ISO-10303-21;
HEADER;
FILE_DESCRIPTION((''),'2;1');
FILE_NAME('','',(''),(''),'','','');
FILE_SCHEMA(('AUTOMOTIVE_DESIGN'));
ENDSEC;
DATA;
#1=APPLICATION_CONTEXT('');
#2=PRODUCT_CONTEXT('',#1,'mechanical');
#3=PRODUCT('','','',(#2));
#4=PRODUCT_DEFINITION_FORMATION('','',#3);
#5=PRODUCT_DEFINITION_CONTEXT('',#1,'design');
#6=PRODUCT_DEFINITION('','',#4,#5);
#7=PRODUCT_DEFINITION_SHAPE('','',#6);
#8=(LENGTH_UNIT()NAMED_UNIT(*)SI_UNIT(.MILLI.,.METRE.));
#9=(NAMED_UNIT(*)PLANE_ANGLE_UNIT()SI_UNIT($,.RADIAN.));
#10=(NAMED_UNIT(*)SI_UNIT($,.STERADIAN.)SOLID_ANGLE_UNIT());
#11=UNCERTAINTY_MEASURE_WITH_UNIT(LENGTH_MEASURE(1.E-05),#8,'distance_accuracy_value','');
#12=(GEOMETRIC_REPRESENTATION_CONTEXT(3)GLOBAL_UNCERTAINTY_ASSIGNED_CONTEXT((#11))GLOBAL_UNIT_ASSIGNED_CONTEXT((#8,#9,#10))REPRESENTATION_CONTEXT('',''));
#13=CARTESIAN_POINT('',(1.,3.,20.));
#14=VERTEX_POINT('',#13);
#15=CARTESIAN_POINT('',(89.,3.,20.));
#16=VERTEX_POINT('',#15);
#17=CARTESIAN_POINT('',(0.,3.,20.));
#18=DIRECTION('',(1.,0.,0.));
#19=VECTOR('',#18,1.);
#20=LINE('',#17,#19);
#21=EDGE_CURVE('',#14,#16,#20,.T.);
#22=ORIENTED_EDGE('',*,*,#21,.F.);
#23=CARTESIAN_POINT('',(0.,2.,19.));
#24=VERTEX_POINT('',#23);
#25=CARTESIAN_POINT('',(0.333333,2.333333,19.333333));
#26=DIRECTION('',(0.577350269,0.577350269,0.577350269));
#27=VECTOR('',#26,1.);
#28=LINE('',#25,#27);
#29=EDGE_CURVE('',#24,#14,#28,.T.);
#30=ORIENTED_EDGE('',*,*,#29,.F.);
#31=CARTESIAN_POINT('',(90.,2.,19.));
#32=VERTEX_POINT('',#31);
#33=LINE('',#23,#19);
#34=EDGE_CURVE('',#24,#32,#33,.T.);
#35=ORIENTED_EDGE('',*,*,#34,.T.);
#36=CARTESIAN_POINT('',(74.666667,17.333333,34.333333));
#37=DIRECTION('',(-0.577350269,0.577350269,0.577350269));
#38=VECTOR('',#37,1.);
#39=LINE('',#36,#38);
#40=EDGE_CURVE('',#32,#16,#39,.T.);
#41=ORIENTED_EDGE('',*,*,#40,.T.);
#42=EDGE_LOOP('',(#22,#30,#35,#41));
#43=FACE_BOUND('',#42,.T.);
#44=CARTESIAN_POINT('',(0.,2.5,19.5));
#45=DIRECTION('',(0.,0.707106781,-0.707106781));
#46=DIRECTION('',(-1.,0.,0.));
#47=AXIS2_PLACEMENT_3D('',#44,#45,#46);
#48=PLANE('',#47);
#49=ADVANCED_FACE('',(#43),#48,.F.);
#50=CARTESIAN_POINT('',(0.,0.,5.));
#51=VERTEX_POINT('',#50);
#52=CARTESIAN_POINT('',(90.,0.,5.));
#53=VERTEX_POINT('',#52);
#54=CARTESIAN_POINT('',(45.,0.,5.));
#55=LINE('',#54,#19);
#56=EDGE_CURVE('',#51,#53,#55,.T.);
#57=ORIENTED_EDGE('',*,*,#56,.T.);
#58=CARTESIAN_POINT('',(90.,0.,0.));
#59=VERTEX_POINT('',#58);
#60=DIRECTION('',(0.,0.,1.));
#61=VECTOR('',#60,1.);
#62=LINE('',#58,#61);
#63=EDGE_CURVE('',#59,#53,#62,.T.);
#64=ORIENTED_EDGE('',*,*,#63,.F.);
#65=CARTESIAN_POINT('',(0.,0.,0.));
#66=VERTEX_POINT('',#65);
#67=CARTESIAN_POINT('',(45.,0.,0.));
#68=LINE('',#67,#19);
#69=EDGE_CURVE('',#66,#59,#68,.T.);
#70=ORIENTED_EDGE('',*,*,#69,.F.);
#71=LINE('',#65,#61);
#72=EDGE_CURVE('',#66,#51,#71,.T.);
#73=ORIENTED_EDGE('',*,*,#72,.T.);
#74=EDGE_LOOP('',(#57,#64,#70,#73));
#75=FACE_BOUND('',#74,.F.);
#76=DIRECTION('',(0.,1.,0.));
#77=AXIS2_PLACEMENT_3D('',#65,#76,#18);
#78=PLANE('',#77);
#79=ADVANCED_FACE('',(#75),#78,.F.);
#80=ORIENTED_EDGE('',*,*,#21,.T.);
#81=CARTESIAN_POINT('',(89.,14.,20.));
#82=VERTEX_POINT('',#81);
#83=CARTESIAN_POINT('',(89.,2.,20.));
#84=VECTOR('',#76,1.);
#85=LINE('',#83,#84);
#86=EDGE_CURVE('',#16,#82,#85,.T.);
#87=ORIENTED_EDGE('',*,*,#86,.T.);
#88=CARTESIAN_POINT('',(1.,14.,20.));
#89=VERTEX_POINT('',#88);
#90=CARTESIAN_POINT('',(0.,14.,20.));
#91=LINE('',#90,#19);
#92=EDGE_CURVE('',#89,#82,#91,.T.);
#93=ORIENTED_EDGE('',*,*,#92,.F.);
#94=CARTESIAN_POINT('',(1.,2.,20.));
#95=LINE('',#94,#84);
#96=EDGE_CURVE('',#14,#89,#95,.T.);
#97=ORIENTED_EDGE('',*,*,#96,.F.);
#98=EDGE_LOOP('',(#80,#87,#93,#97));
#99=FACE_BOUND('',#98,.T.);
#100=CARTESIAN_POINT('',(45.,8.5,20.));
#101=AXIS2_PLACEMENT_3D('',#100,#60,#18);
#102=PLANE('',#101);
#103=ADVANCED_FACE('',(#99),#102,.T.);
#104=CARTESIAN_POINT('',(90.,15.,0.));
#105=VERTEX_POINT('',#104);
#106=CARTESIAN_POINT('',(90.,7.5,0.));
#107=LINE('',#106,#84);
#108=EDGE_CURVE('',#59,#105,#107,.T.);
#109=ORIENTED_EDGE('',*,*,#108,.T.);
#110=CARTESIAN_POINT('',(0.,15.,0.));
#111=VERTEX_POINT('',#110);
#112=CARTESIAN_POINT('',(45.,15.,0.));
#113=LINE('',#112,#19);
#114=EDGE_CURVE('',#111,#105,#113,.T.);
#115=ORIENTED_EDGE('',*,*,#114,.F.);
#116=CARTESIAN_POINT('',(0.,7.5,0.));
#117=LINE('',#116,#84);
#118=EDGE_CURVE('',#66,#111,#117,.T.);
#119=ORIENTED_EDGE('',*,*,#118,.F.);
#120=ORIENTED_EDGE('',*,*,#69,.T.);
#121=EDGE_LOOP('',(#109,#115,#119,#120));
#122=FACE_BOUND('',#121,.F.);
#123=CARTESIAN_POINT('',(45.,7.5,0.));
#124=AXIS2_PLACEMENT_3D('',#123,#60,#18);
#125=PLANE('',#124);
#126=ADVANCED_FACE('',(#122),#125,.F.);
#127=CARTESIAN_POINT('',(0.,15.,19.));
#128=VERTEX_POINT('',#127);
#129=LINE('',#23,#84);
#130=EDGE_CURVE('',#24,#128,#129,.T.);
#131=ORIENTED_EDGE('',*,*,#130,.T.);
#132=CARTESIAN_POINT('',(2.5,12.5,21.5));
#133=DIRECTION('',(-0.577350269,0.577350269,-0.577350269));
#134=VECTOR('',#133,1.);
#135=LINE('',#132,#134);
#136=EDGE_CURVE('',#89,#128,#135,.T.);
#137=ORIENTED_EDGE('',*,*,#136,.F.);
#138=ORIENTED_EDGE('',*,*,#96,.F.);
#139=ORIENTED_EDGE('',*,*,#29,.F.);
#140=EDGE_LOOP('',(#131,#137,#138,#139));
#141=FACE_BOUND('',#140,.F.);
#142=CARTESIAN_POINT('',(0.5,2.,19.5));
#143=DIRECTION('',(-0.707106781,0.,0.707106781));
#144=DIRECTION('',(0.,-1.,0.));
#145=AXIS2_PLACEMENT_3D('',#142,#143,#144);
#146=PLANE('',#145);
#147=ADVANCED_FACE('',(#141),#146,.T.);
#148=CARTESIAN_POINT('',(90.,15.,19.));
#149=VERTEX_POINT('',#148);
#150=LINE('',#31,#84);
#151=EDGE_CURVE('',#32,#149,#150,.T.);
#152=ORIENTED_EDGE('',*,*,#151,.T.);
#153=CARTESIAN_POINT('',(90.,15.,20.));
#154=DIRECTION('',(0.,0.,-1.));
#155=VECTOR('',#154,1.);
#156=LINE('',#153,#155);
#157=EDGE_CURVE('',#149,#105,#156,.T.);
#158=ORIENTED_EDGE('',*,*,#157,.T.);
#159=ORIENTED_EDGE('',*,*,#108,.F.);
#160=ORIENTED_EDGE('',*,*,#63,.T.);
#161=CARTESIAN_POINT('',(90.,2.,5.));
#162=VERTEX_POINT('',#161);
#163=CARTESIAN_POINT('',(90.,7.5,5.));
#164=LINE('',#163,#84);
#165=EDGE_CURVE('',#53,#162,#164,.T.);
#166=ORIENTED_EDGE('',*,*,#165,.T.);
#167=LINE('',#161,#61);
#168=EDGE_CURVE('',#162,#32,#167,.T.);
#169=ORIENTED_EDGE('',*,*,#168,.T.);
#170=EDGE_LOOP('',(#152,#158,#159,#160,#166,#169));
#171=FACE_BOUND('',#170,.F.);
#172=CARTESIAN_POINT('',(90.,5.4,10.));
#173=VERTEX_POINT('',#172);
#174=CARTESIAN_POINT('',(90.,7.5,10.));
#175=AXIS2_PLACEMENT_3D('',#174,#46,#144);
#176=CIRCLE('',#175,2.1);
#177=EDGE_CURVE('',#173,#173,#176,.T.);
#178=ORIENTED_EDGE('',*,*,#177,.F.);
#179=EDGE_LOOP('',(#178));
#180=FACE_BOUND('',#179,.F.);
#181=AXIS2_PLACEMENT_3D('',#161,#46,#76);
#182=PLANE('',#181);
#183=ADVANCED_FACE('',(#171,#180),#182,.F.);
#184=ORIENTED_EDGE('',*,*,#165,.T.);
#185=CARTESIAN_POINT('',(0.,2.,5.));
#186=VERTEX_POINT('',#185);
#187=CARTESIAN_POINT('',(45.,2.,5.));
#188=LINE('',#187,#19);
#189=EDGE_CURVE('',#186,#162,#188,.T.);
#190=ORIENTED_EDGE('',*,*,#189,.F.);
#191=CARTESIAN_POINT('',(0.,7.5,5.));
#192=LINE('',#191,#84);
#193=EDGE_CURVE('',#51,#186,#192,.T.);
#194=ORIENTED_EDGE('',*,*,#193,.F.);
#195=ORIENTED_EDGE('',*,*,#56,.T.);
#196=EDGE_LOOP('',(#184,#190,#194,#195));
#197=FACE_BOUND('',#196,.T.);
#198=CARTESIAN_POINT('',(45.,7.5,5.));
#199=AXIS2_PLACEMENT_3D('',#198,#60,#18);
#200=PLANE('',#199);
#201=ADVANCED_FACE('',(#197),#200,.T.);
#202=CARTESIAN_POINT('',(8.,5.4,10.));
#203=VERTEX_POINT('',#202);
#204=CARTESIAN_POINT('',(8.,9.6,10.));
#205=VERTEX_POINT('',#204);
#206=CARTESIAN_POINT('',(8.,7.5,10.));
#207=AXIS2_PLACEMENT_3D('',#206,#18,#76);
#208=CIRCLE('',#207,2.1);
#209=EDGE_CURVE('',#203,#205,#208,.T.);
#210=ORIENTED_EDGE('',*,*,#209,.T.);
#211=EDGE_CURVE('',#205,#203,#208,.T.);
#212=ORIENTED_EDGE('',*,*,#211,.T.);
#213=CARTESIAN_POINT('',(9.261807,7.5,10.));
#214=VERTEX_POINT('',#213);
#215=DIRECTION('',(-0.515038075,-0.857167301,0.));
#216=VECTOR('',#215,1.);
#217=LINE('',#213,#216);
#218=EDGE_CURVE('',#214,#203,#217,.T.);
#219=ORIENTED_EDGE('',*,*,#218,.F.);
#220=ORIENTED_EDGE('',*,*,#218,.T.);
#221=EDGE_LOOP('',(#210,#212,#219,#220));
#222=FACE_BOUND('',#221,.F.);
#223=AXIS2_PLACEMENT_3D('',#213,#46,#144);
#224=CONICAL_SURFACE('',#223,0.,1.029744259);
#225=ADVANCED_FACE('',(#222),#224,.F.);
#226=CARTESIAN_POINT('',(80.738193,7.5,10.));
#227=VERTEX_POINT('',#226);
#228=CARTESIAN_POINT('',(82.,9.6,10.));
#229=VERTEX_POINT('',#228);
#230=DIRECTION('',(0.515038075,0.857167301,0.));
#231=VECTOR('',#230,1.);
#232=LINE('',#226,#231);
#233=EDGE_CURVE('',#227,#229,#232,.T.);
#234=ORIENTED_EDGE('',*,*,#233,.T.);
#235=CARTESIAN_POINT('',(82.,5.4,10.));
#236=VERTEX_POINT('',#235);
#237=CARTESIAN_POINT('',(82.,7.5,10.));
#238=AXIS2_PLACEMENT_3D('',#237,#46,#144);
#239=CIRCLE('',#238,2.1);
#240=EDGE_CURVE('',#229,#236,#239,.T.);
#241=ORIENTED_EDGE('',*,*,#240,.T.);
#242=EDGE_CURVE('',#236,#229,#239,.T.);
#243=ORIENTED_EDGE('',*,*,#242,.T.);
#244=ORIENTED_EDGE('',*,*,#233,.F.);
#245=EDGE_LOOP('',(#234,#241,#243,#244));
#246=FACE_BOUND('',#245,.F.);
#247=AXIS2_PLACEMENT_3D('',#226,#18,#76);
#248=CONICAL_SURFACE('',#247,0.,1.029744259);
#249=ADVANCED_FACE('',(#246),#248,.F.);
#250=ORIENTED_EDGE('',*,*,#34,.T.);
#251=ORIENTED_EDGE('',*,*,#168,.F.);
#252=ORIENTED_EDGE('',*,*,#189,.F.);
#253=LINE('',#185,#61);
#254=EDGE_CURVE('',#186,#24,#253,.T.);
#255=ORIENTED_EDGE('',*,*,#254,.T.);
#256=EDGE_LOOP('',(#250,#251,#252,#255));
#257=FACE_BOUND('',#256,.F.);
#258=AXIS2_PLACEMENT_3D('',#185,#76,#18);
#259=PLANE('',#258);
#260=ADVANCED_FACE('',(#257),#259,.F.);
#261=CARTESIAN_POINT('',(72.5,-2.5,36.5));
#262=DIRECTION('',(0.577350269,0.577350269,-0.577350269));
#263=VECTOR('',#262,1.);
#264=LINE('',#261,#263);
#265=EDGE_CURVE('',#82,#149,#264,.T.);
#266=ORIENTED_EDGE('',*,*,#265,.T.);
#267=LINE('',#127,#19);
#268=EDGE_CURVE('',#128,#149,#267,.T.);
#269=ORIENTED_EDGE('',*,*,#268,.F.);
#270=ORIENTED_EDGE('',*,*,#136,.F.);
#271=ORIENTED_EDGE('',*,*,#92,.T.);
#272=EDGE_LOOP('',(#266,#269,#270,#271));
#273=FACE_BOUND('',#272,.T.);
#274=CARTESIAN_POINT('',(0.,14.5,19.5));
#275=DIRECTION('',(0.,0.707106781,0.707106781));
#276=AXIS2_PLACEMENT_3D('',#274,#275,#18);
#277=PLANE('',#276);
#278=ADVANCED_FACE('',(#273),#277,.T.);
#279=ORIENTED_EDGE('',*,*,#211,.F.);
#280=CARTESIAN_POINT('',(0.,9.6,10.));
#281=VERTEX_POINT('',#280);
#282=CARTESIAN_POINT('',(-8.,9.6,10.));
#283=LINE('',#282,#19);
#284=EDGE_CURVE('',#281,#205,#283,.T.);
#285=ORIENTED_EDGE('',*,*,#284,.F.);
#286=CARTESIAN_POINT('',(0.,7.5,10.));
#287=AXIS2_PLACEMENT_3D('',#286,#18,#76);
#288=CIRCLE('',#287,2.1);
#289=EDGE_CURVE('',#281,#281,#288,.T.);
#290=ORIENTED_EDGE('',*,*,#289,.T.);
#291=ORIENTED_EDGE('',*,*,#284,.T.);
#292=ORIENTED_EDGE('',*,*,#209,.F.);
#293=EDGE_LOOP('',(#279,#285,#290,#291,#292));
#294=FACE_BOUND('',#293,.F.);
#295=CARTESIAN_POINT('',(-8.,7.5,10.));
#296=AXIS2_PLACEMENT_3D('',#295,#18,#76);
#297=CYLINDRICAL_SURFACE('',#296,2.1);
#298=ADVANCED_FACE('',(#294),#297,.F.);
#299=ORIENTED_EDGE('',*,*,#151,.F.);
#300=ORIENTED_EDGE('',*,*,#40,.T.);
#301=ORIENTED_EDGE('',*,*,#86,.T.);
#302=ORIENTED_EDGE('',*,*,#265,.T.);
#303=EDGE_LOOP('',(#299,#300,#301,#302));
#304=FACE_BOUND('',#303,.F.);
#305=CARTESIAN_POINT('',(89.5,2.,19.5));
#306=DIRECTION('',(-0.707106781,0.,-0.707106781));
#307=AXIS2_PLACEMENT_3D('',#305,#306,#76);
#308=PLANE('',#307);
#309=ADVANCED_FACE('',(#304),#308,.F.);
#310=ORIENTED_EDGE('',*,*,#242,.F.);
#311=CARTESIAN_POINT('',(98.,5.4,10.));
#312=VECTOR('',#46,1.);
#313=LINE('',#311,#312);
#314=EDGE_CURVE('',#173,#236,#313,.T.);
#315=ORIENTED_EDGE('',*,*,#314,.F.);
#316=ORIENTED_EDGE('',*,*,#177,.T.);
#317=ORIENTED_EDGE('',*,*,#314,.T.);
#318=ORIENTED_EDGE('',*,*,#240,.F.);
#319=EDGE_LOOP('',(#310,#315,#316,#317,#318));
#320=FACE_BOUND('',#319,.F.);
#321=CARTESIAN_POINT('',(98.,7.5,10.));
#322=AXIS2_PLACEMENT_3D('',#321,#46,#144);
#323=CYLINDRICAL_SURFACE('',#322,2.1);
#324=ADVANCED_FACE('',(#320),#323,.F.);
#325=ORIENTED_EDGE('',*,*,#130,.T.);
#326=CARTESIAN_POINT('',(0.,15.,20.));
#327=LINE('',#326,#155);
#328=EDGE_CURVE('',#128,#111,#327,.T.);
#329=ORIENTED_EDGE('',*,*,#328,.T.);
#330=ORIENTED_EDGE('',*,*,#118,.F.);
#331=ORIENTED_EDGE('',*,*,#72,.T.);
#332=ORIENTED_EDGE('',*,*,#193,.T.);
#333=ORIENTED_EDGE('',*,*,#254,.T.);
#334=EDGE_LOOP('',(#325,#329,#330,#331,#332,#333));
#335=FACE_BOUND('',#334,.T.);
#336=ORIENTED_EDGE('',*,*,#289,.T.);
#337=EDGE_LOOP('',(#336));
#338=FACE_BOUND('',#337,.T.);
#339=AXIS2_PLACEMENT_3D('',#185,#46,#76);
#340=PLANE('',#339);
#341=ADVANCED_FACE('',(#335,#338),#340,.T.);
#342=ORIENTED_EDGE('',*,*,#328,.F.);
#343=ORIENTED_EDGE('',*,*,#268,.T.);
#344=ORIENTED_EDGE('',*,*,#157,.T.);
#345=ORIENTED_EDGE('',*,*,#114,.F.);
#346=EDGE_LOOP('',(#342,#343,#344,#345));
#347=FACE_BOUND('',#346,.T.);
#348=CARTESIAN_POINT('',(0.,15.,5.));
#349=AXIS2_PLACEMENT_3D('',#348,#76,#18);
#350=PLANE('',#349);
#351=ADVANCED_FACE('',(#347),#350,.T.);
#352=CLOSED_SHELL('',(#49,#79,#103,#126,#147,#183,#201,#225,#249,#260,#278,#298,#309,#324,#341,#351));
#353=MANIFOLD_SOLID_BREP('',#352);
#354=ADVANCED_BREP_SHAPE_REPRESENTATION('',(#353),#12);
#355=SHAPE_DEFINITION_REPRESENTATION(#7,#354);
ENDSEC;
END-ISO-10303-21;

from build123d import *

# Parameters (mm, degrees)
F0_W     = 90
F0_H     = 15
F1_DEPTH = 5
F2_W     = 90
F2_H     = 13
F3_DEPTH = 15
F5_D     = 4.2
F5_DEPTH = 8
F5_TIP   = 1.2618073
F7_D     = 4.2
F7_DEPTH = 8
F7_TIP   = 1.2618073
F8_SIZE  = 1


with BuildPart() as f1:
    # F0 (on Top) → F1 (new body)
    with BuildSketch(Plane.XY):
        with Locations((45, 7.5)):
            Rectangle(F0_W, F0_H)
    extrude(amount=F1_DEPTH)

    # F2 (on face) → F3 (join)
    with BuildSketch(Plane.XY.offset(5)):
        with Locations((45, 8.5)):
            Rectangle(F2_W, F2_H)
    extrude(amount=F3_DEPTH)

    # F5
    with Locations(Plane.YZ.offset(90)):
        with Locations((7.5, 10)):
            Hole(F5_D / 2, depth=F5_DEPTH)
            with Locations((0, 0, -(F5_DEPTH + F5_TIP / 2))):  # 118° drill point
                Cone(0, F5_D / 2, F5_TIP, mode=Mode.SUBTRACT)

    # F7
    with Locations(Plane(origin=(0, 0, 0), x_dir=(0, -1, 0), z_dir=(-1, 0, 0))):
        with Locations((-7.5, 10)):
            Hole(F7_D / 2, depth=F7_DEPTH)
            with Locations((0, 0, -(F7_DEPTH + F7_TIP / 2))):  # 118° drill point
                Cone(0, F7_D / 2, F7_TIP, mode=Mode.SUBTRACT)

    # F8
    f8_edges = [f1.edges().sort_by_distance(p)[0] for p in [
        (45, 2, 20),
        (90, 8.5, 20),
        (45, 15, 20),
        (0, 8.5, 20),
    ]]
    chamfer(f8_edges, length=F8_SIZE)


solid = f1.part
